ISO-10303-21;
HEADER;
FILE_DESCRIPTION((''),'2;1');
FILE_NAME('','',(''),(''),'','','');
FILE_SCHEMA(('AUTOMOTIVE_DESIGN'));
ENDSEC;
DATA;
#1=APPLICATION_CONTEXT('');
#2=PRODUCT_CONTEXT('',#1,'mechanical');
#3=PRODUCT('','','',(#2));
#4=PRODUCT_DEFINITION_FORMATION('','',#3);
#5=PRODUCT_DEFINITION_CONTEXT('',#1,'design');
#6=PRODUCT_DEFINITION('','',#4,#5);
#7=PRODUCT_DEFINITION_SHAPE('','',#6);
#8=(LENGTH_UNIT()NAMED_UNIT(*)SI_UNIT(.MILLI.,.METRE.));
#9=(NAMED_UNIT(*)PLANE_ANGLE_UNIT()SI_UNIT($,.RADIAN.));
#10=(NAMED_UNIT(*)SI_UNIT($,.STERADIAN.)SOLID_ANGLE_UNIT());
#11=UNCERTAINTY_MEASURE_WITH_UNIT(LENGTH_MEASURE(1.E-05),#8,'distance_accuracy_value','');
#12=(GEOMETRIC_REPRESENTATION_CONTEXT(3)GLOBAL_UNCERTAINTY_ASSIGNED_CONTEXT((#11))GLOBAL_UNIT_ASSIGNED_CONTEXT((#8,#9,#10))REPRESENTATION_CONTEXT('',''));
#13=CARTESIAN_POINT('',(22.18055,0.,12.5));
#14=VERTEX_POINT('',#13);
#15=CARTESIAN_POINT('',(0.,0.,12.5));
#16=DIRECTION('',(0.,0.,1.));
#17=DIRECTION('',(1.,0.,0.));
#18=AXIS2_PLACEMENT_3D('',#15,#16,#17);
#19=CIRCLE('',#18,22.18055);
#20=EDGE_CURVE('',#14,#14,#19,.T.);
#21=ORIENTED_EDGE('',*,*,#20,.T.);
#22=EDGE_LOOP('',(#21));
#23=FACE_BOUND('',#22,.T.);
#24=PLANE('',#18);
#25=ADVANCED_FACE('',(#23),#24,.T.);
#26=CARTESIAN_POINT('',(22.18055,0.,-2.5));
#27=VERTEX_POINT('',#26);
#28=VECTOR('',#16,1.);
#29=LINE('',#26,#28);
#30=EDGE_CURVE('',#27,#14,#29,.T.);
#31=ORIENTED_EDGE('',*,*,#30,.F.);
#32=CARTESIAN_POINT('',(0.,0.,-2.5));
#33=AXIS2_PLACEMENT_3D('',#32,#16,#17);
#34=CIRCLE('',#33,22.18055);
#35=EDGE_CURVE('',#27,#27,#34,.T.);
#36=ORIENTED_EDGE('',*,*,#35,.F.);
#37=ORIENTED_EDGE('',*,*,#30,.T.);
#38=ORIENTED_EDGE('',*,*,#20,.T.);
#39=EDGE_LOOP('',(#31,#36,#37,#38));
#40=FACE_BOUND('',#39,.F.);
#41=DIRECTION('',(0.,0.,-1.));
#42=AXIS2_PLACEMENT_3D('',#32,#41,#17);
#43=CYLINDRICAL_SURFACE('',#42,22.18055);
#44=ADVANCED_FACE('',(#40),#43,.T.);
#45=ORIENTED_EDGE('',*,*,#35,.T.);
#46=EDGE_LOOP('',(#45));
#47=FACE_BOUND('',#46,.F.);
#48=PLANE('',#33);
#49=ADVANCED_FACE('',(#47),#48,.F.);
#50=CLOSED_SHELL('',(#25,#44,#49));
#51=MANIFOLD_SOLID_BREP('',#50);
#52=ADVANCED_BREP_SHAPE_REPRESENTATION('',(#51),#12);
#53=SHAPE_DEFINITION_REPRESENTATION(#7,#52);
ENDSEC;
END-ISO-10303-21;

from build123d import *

# Parameters (mm, degrees)
CYLINDER_R     = 22.18055
CYLINDER_DEPTH = 15


with BuildPart() as part:
    # Cylinder → Cylinder (new body)
    with BuildSketch(Plane.XY.offset(-2.5)):
        Circle(CYLINDER_R)
    extrude(amount=CYLINDER_DEPTH)


solid = part.part
